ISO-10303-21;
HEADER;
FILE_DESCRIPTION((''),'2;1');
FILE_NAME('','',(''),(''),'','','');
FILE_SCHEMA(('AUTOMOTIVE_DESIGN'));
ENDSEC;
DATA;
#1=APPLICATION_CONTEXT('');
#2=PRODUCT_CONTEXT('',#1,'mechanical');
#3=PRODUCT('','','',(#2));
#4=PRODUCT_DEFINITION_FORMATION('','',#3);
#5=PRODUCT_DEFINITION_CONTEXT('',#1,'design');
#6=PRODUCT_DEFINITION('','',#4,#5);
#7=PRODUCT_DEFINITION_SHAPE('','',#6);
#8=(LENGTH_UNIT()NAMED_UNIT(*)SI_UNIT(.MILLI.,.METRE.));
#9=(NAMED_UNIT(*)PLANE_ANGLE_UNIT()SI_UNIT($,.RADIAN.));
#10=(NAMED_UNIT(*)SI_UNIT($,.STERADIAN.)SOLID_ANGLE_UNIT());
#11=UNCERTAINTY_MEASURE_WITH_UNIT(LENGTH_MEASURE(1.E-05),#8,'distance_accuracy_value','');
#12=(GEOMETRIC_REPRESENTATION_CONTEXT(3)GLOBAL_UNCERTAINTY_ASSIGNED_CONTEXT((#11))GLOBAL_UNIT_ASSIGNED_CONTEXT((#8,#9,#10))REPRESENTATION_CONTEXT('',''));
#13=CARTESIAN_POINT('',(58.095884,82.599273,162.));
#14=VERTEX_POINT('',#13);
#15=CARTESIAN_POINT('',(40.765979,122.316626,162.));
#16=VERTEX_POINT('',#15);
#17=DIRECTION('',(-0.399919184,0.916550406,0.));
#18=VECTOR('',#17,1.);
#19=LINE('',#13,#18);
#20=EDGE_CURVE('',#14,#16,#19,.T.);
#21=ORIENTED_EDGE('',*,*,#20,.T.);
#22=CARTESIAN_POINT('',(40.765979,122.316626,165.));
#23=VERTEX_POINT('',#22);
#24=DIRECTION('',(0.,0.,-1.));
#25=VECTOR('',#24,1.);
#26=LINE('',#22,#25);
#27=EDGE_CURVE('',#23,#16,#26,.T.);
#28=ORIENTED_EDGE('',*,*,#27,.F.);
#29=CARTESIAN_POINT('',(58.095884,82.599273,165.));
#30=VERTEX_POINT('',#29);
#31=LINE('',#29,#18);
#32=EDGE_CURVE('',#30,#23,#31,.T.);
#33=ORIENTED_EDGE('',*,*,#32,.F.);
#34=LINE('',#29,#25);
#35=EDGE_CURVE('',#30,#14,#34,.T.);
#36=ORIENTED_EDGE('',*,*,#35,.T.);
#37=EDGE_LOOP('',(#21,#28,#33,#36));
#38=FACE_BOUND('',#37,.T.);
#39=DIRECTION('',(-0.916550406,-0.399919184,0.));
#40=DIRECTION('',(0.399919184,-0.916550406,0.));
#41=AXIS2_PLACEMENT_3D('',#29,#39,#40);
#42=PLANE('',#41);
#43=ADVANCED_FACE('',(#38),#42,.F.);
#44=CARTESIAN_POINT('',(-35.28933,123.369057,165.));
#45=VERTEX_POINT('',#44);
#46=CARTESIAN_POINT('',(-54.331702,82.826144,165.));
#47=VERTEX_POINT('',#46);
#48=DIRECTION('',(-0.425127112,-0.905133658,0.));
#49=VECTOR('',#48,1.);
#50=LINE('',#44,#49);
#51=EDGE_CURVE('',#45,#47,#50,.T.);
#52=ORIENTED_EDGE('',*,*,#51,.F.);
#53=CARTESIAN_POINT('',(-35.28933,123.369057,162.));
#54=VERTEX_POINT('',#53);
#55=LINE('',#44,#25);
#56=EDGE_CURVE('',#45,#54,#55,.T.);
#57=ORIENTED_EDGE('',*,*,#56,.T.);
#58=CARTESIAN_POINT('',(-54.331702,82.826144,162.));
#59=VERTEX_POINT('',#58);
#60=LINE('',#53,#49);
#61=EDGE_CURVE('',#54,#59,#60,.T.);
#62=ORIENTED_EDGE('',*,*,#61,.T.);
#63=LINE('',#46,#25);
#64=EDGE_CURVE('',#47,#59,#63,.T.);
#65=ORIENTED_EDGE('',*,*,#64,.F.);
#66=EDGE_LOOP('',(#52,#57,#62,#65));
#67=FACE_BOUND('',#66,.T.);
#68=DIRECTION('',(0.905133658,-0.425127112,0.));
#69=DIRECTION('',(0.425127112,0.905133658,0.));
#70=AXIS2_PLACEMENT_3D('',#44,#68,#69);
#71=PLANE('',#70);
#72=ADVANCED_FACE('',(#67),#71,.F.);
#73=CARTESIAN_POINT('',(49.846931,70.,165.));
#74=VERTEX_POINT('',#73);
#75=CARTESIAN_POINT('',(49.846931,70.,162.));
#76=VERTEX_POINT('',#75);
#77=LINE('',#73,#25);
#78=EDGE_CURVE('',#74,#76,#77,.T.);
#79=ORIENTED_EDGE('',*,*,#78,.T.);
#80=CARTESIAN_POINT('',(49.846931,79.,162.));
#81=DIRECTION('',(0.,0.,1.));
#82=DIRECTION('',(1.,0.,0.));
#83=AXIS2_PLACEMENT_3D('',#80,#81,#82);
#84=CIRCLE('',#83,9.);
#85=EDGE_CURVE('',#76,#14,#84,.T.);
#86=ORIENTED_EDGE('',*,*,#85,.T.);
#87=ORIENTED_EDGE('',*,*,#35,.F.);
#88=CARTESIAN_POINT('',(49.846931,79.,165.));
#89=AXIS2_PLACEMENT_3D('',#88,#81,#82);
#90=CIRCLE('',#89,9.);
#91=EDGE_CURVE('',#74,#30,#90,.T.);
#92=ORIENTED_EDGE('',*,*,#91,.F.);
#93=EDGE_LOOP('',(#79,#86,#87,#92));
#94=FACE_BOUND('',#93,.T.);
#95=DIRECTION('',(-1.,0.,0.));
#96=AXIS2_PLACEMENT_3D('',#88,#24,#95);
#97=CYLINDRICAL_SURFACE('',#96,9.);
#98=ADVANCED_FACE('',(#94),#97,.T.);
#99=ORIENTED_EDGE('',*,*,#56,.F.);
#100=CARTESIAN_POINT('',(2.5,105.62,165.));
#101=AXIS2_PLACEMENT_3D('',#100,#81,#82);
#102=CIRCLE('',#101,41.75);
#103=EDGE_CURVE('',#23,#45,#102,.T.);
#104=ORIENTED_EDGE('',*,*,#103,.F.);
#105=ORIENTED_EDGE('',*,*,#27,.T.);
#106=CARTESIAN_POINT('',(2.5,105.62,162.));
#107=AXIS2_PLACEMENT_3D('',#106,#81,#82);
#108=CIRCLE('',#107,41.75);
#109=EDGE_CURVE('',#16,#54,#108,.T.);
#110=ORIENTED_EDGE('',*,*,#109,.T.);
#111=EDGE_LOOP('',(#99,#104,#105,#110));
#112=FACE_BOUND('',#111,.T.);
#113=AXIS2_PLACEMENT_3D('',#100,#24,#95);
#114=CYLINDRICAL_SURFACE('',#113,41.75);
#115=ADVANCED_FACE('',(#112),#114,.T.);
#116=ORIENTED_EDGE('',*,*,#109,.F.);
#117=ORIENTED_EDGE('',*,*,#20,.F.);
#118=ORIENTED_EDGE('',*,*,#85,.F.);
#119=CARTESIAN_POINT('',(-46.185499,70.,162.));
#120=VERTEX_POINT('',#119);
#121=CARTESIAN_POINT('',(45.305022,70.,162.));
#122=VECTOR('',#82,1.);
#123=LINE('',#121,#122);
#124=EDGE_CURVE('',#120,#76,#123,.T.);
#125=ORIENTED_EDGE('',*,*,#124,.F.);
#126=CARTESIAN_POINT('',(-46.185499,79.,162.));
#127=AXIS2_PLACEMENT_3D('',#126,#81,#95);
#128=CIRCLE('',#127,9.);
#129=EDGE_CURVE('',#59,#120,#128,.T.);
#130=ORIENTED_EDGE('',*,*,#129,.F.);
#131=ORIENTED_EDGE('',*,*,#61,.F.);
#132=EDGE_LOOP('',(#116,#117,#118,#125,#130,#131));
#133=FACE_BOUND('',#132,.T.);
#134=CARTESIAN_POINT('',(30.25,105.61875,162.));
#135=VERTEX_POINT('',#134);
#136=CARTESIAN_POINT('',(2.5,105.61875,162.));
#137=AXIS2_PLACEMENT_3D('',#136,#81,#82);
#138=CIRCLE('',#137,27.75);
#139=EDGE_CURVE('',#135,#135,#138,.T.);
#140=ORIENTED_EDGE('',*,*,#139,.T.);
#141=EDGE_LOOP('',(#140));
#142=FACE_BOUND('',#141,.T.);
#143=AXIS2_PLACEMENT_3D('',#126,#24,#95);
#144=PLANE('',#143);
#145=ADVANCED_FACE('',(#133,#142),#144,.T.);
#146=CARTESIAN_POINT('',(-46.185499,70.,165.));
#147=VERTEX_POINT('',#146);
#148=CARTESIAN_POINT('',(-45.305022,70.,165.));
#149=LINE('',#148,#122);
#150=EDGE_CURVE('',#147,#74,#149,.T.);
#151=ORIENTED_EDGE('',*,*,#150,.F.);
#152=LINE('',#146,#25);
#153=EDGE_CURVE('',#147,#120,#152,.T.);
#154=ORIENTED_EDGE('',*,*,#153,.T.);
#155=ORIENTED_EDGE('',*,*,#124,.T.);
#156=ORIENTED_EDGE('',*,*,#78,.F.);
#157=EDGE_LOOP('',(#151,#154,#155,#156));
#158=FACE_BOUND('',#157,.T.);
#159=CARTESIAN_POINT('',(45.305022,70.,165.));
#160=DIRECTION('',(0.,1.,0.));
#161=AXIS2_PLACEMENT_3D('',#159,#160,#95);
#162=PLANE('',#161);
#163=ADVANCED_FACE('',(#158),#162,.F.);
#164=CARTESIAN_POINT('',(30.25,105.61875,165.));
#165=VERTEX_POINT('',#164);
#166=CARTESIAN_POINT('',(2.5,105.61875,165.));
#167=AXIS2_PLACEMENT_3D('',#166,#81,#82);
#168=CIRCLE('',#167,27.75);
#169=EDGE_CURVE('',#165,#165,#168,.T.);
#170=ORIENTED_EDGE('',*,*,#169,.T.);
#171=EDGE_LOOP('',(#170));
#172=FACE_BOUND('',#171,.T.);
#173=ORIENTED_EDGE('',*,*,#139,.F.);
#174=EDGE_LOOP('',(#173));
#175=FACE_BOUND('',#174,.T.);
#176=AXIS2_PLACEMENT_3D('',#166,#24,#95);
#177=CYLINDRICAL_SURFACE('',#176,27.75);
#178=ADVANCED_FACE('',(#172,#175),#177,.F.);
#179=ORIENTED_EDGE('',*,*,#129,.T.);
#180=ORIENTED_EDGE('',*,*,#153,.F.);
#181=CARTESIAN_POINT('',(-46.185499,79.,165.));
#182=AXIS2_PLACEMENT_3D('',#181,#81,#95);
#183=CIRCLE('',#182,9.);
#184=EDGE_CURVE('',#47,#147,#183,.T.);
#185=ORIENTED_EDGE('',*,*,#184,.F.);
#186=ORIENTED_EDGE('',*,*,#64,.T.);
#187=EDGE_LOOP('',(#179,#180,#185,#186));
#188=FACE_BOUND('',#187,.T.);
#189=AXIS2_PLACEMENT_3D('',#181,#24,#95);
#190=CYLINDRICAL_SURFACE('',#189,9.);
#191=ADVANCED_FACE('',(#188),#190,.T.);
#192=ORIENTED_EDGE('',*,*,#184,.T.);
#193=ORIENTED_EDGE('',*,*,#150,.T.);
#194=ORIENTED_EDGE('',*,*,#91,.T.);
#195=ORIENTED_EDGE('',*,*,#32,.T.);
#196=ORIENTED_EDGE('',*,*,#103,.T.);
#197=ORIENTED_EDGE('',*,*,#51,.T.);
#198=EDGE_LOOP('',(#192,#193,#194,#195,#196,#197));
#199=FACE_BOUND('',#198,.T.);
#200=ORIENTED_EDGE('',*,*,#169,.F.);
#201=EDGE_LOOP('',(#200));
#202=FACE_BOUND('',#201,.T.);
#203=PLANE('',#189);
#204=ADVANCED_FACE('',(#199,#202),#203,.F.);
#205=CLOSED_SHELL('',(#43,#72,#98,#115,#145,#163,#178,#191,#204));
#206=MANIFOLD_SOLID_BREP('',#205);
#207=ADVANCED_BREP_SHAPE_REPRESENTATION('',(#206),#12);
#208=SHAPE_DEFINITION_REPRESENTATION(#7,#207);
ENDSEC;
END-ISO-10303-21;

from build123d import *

# Parameters (mm, degrees)
SKETCH1_R           = 27.75
BOSS_EXTRUDE1_DEPTH = 3


with BuildPart() as part:
    # Sketch1 → Boss-Extrude1 (new body)
    with BuildSketch(Plane.XY.offset(162)):
        with BuildLine():
            Line((-45.305021967, 70), (-20, 70))
            Line((-20, 70), (20, 70))
            Line((20, 70), (45.305021967, 70))
            Line((45.305021967, 70), (49.846930848, 70))
            ThreePointArc((49.846930848, 70), (57.376653748, 74.070165008), (58.0958845, 82.599272656))
            Line((58.0958845, 82.599272656), (40.765979439, 122.316625933))
            ThreePointArc((40.765979439, 122.316625933), (3.077668906, 147.366003385), (-35.28933022, 123.36905692))
            Line((-35.28933022, 123.36905692), (-54.331701831, 82.826144007))
            ThreePointArc((-54.331701831, 82.826144007), (-53.782712085, 74.174821043), (-46.185498909, 70))
            Line((-46.185498909, 70), (-45.305021967, 70))
        make_face()
        with Locations((2.5, 105.61875)):
            Circle(SKETCH1_R, mode=Mode.SUBTRACT)
    extrude(amount=BOSS_EXTRUDE1_DEPTH)


solid = part.part
